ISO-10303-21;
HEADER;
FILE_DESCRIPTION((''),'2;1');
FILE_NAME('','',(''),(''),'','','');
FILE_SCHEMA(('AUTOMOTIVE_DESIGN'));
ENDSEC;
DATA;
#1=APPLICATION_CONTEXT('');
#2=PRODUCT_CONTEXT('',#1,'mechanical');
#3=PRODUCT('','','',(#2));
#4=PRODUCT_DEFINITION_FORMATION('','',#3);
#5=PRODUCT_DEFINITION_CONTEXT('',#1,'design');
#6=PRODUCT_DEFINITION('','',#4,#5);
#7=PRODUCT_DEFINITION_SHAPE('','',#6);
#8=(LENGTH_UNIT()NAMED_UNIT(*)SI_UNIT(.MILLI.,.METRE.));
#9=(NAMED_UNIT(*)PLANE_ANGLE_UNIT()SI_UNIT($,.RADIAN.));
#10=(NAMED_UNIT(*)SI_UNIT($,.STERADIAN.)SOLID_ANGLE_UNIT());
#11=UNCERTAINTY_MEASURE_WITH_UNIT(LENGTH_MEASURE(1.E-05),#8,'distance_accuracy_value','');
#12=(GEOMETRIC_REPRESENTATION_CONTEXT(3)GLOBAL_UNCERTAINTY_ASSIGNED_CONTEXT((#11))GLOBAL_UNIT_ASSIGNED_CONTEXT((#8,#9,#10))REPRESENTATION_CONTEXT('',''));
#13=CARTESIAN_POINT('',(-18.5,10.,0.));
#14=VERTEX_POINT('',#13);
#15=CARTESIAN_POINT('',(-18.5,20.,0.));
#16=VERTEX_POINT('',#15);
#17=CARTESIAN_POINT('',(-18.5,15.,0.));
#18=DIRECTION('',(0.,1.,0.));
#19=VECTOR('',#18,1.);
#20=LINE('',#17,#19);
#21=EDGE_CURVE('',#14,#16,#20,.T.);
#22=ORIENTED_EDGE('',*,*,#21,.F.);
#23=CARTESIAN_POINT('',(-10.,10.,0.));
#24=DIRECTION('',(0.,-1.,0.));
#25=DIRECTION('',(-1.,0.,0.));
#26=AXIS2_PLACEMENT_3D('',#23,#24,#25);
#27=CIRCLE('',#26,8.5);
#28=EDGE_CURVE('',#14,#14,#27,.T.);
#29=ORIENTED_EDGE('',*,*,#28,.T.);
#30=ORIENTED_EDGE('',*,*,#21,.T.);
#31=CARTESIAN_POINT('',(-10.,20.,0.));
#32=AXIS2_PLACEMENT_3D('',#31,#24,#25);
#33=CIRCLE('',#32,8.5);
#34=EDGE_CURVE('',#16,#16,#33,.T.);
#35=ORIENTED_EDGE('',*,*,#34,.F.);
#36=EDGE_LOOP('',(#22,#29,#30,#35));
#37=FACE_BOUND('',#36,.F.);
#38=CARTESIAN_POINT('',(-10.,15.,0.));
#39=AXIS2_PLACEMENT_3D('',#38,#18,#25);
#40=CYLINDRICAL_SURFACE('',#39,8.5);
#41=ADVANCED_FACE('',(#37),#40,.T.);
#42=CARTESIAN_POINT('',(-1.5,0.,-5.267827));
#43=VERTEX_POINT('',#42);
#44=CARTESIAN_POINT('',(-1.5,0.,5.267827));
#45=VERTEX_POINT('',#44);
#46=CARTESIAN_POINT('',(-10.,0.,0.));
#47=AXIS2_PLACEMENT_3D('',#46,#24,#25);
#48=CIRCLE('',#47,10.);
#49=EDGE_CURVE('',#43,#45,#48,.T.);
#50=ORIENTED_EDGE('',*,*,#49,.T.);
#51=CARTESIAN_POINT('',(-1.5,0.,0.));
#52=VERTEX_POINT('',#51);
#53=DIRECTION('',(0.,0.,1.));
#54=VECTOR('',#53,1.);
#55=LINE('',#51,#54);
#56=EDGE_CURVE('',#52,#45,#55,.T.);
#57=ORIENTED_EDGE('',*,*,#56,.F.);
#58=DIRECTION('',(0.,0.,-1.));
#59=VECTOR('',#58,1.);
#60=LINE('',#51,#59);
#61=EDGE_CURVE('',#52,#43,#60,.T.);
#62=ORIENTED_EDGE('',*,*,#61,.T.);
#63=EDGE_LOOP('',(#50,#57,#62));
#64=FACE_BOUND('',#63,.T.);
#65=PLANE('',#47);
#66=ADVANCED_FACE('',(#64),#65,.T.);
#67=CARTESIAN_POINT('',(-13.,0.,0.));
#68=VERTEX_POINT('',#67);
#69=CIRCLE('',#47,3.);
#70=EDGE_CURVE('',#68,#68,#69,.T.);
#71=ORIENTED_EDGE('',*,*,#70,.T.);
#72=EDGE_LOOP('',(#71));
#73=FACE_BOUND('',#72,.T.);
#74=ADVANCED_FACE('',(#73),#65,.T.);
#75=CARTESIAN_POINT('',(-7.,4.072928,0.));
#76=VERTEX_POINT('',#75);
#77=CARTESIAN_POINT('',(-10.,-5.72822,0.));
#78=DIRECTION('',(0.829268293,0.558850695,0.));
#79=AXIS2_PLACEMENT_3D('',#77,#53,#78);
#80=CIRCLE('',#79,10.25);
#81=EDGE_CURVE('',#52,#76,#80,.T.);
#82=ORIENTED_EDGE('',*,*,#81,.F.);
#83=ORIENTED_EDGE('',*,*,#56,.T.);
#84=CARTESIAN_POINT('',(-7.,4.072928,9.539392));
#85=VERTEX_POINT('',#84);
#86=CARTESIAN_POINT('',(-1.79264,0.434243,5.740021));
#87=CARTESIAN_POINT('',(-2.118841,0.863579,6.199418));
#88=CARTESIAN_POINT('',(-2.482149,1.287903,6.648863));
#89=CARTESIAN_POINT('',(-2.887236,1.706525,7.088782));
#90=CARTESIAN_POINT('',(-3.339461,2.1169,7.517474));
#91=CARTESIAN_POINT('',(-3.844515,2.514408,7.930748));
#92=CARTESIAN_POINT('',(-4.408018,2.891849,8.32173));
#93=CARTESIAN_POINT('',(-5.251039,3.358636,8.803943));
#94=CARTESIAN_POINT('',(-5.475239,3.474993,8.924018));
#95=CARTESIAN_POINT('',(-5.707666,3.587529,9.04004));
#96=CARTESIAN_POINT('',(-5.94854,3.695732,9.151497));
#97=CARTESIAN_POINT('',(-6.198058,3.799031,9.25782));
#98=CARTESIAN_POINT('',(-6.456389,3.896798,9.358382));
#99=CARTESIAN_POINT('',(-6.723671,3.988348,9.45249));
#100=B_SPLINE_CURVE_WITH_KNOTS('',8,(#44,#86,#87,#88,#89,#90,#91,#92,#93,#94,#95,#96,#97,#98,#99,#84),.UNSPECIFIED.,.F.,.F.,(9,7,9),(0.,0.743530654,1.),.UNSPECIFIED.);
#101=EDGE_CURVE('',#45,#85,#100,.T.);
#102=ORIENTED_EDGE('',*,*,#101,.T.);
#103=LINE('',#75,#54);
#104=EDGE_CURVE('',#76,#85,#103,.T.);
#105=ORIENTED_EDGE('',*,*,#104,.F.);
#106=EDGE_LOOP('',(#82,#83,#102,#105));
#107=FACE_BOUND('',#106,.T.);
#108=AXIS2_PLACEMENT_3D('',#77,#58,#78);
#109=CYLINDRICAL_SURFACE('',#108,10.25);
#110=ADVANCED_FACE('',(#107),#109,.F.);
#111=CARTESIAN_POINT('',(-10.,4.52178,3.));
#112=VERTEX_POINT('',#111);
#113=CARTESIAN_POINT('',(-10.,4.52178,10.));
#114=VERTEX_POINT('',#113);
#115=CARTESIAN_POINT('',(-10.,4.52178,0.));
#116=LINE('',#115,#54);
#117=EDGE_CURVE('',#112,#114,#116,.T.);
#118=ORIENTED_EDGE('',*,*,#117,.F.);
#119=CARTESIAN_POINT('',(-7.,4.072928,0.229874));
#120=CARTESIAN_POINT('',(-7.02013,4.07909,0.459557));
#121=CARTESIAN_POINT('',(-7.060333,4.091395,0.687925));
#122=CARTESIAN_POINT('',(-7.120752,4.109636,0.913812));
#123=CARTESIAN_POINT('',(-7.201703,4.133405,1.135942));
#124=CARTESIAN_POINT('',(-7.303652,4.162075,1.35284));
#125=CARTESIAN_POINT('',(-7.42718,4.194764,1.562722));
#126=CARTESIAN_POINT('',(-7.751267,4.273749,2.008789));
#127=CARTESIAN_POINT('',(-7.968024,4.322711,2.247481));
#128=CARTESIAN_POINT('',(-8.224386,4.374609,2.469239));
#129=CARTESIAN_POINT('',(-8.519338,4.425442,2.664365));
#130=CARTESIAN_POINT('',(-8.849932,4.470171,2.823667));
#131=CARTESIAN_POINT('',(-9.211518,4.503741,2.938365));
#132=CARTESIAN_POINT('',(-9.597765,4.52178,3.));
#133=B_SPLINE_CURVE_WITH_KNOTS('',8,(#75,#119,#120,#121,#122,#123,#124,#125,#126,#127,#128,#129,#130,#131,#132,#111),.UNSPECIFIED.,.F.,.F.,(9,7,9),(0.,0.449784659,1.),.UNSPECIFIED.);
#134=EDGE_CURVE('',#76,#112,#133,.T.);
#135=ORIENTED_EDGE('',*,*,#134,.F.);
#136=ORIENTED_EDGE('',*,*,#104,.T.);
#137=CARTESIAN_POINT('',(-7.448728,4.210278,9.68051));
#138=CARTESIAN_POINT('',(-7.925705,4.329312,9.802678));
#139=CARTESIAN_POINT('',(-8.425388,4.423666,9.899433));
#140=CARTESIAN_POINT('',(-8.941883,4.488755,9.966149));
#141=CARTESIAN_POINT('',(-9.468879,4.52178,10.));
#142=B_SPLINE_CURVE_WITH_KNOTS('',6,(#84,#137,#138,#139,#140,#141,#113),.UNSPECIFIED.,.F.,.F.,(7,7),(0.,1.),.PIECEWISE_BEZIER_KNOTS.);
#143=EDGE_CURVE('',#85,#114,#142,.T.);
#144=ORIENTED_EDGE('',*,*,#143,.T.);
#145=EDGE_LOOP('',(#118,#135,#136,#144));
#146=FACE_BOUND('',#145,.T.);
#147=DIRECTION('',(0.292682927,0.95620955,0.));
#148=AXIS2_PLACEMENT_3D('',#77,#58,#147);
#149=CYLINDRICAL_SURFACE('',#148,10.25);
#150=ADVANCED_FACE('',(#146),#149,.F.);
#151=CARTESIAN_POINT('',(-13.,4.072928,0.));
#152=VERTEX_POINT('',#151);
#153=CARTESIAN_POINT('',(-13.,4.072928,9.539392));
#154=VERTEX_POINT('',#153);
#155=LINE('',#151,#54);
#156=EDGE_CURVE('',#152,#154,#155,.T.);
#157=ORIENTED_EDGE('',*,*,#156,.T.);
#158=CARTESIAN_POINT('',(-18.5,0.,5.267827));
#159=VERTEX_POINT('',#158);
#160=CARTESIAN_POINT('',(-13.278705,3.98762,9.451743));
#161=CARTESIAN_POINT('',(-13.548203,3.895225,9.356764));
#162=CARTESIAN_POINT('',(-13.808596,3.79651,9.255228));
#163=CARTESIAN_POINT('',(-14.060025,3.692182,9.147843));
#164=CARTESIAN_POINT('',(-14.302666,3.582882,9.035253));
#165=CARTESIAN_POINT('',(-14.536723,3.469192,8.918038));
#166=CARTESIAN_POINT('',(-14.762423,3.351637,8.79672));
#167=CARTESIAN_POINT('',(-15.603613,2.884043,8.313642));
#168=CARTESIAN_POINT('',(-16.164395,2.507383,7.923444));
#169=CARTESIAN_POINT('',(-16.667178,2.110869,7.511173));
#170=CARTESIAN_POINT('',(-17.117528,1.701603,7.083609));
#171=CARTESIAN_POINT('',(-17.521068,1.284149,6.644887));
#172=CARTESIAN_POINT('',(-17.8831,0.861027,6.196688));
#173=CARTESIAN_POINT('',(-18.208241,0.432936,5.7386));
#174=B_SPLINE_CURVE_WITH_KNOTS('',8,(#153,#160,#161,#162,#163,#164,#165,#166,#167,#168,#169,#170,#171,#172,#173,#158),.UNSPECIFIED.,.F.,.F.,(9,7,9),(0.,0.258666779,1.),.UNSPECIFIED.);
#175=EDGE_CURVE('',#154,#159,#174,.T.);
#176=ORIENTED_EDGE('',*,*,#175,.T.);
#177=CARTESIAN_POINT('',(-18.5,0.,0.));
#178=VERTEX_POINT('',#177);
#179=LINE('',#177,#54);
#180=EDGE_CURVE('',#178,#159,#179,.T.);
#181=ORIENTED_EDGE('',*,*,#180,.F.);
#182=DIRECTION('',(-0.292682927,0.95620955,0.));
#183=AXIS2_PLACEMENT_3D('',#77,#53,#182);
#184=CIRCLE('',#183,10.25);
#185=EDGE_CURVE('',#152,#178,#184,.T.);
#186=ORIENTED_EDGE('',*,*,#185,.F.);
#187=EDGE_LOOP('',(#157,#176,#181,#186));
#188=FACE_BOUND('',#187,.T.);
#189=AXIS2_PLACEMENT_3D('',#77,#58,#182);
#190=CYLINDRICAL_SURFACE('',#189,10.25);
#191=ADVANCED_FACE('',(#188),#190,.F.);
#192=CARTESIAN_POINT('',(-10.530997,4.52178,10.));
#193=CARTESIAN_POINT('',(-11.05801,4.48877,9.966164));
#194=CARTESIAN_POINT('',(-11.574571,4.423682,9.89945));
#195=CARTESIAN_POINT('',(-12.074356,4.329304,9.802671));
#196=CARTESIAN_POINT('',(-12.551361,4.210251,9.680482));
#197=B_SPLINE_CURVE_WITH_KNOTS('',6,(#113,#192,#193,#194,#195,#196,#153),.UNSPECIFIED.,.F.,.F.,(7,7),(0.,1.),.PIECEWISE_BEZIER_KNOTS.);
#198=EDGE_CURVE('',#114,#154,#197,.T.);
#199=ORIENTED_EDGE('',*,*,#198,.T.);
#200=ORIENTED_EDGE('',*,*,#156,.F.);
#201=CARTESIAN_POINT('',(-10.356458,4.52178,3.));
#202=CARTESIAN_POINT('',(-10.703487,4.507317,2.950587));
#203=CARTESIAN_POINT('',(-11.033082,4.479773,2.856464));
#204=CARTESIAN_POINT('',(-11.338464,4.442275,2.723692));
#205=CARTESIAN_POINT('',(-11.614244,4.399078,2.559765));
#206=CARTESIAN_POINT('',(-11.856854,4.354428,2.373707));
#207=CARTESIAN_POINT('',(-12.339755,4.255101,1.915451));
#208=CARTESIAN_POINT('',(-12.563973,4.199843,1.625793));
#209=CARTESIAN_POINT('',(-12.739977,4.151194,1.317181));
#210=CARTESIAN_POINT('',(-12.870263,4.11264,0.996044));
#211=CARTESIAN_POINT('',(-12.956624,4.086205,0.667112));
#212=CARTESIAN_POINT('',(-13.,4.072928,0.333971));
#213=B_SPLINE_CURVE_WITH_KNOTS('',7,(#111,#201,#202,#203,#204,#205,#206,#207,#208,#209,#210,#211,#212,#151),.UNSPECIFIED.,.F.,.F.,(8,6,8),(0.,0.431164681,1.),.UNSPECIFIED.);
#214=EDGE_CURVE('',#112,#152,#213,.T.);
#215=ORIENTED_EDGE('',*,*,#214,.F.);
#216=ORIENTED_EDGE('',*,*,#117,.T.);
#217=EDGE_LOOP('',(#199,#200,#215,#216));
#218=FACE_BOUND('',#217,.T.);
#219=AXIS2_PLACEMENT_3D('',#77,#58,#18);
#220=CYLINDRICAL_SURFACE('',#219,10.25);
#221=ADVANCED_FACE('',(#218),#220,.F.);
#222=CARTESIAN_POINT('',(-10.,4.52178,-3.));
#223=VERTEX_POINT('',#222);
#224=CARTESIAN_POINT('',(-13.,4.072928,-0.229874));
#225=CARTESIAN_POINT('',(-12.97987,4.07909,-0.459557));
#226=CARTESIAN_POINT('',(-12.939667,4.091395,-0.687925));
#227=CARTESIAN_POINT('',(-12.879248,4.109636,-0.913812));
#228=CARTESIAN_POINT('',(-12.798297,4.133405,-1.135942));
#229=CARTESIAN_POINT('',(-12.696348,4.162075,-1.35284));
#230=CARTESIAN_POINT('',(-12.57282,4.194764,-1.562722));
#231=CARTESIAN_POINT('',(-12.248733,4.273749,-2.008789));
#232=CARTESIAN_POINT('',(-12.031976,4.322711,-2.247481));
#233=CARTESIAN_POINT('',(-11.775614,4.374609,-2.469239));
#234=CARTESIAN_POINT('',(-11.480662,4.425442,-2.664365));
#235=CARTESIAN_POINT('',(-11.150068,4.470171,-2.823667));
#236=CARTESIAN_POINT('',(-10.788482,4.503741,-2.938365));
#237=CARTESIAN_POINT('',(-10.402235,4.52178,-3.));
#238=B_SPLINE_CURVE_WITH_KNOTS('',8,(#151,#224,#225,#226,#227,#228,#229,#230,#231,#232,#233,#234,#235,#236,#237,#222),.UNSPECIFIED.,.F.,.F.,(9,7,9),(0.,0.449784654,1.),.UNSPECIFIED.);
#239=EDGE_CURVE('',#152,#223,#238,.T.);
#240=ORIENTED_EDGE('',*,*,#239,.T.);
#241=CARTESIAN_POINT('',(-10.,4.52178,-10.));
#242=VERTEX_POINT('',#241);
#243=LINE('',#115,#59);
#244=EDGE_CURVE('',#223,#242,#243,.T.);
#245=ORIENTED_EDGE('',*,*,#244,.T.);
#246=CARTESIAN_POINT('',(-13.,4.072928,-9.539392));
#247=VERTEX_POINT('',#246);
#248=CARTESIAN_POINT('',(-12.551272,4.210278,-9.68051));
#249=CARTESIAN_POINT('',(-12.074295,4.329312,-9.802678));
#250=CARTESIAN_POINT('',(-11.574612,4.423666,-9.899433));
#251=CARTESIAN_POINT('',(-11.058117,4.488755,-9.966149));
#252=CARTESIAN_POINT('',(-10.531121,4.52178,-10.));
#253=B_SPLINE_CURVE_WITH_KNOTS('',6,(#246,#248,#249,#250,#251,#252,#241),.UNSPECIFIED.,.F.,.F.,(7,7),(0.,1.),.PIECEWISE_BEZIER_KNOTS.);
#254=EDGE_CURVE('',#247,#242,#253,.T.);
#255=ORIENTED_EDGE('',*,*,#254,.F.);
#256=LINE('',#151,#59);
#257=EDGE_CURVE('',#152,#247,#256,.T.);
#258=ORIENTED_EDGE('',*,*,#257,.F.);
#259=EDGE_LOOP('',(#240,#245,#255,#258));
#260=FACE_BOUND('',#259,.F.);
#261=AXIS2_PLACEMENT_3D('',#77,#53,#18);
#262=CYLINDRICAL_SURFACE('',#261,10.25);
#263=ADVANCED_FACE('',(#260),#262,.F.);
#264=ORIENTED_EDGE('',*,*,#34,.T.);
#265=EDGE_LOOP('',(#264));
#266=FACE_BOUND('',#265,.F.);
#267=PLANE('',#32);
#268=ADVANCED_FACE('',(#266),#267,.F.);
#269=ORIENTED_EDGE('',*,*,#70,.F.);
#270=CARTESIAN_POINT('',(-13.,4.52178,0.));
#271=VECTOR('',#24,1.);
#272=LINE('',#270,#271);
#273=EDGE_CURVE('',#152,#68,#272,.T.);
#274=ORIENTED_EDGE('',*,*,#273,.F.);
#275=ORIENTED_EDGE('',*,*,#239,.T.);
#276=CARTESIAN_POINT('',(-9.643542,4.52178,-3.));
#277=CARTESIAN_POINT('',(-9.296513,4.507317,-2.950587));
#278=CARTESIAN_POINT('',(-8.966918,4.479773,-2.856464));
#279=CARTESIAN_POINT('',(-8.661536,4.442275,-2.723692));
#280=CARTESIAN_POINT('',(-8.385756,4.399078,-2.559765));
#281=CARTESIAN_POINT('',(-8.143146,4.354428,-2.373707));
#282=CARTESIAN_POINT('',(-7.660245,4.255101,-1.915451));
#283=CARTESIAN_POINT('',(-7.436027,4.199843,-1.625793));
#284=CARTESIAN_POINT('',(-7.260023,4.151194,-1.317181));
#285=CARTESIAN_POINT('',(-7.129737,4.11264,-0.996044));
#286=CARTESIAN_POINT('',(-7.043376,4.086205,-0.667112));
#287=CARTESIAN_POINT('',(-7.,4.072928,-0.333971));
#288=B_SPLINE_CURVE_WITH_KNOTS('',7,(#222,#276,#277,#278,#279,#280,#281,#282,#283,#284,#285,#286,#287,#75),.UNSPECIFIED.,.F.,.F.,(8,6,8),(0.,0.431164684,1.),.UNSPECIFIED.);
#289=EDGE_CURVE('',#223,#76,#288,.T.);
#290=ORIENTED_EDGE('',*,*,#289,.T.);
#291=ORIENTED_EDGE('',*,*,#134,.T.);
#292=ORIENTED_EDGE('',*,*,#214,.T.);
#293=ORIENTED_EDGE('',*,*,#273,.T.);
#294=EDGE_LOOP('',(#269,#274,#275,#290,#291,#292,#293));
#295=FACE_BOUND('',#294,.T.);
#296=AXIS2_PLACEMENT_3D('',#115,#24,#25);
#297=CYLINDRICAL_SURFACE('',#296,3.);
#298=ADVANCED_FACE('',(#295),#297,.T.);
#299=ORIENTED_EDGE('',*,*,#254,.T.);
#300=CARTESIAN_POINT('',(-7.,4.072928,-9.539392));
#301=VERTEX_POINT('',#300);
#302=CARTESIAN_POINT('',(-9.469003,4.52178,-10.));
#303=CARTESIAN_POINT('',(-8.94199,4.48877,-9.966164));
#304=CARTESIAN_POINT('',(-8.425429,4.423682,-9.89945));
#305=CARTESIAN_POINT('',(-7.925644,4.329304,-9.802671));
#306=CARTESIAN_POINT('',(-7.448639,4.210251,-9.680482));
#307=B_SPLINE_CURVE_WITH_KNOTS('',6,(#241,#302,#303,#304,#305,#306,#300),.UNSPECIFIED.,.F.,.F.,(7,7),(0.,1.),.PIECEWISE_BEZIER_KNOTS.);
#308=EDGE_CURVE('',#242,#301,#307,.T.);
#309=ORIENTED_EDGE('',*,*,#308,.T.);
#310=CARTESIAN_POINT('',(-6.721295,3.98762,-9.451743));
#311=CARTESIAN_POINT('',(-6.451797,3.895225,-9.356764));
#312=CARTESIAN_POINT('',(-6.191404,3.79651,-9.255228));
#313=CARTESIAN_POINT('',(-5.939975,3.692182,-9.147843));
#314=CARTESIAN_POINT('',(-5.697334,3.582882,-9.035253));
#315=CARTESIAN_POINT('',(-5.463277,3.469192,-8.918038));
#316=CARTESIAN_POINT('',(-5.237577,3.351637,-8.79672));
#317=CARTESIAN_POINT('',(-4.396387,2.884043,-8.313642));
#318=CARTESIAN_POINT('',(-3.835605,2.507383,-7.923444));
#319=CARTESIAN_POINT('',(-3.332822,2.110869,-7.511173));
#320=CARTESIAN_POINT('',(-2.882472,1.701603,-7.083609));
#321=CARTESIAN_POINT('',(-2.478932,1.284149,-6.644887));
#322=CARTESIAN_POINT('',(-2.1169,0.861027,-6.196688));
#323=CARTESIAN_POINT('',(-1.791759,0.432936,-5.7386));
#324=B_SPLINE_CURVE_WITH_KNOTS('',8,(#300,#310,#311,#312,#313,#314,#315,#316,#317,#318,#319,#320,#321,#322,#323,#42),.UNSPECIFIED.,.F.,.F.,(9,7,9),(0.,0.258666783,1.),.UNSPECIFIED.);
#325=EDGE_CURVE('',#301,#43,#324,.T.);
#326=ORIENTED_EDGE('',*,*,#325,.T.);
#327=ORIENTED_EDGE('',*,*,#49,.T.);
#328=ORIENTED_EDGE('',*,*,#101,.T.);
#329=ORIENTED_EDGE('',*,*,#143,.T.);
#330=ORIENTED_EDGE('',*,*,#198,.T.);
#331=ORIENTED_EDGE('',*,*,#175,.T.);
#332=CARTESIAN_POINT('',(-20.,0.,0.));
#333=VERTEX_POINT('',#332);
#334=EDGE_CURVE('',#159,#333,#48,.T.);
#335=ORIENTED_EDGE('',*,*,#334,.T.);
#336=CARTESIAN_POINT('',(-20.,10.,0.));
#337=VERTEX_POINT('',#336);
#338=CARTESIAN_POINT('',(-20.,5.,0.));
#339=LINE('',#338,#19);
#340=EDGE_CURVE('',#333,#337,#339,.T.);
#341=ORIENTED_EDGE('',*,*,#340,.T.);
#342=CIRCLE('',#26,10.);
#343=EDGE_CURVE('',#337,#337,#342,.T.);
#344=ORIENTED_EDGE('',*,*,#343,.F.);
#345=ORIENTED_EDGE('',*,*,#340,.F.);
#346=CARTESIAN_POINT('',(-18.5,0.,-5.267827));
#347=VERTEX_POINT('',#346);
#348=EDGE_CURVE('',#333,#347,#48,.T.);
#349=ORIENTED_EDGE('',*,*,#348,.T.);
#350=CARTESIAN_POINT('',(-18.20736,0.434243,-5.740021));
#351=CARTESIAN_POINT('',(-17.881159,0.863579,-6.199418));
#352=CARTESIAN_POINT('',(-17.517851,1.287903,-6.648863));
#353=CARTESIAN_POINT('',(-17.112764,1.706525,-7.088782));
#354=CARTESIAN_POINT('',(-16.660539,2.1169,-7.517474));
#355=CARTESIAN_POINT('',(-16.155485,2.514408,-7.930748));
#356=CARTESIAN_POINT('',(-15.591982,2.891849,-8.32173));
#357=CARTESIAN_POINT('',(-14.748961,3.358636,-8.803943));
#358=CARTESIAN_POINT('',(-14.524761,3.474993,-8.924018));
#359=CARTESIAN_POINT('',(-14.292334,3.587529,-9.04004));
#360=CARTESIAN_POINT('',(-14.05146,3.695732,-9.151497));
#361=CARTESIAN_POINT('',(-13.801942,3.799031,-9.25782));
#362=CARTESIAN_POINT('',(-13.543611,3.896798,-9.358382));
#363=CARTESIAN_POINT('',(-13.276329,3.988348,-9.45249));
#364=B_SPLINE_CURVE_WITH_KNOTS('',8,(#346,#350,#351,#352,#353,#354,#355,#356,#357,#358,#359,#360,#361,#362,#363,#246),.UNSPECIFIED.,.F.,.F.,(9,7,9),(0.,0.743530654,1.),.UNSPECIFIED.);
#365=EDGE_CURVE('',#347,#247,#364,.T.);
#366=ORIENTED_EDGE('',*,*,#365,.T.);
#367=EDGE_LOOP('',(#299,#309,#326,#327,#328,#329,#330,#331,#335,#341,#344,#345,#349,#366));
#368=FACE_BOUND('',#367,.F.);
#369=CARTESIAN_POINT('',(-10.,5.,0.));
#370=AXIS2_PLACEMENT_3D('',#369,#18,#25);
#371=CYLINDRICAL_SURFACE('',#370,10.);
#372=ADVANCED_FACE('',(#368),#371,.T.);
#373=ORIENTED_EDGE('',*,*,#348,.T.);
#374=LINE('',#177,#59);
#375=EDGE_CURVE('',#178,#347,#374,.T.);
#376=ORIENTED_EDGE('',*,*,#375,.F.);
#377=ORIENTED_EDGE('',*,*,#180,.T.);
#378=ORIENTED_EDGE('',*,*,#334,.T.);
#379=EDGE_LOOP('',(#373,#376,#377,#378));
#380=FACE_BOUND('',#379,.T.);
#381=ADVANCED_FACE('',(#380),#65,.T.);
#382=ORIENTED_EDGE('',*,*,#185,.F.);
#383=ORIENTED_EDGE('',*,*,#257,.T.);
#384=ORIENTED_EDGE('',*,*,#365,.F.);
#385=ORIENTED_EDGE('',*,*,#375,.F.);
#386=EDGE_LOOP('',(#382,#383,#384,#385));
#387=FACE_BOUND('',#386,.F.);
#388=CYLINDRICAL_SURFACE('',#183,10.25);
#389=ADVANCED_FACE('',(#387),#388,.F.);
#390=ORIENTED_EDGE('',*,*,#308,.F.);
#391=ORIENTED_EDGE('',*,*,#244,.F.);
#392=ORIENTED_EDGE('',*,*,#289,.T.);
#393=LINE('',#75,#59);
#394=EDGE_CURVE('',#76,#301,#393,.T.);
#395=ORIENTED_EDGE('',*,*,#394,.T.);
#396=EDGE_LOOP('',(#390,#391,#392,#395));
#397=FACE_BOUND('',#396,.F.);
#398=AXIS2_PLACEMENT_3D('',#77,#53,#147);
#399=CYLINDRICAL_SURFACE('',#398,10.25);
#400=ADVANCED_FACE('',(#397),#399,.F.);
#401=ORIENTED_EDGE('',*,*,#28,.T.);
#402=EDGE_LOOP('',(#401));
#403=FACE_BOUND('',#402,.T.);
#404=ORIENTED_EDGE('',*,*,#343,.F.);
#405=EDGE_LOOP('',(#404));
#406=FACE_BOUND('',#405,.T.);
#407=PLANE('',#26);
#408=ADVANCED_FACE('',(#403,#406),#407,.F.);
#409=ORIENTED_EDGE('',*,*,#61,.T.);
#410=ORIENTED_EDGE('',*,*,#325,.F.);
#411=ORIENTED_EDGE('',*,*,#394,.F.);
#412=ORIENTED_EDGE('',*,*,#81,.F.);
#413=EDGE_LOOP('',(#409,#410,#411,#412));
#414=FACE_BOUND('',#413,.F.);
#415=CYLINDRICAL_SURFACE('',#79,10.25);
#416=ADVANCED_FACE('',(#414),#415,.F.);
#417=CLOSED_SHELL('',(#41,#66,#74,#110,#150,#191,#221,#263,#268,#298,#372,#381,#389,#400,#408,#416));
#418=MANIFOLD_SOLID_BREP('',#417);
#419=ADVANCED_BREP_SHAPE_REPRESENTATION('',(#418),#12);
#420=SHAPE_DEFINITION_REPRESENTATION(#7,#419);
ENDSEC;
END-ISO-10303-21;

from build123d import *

# Parameters (mm, degrees)
F0_W          = 1.5
F0_H          = 10
F0_W_2        = 8.5
F2_DEPTH      = 25
F2_DEPTH_BACK = 25


with BuildPart() as f1:
    # F0 (on Top) → F1 (revolve)
    with BuildSketch(Plane.XY):
        with BuildLine():
            Line((-10, 10), (-18.5, 10))
            Line((-18.5, 10), (-18.5, 0))
            ThreePointArc((-18.5, 0), (-16.099974277, 2.509062325), (-13, 4.0729282733))
            Line((-13, 4.0729282733), (-13, 4.5217803813))
            Line((-13, 4.5217803813), (-10, 4.5217803813))
            Line((-10, 4.5217803813), (-10, 10))
        make_face()
        with Locations((-19.25, 5)):
            Rectangle(F0_W, F0_H)
        with Locations((-14.25, 15)):
            Rectangle(F0_W_2, F0_H)
        with BuildLine():
            ThreePointArc((-13, 4.0729282733), (-11.516696098, 4.4089463041), (-10, 4.5217803813))
            Line((-10, 4.5217803813), (-13, 4.5217803813))
            Line((-13, 4.5217803813), (-13, 4.0729282733))
        make_face()
        with BuildLine():
            Line((-10, 0), (-10, 4.5217803813))
            ThreePointArc((-10, 4.5217803813), (-11.516696098, 4.4089463041), (-13, 4.0729282733))
            Line((-13, 4.0729282733), (-13, 0))
            Line((-13, 0), (-10, 0))
        make_face()
        with BuildLine():
            ThreePointArc((-13, 4.0729282733), (-16.099974277, 2.509062325), (-18.5, 0))
            Line((-18.5, 0), (-13, 0))
            Line((-13, 0), (-13, 4.0729282733))
        make_face()
    revolve(axis=Axis((-10, 10, 0), (0, -1, 0)))

    # F0 (on Top) → F2 (cut, two sides)
    with BuildSketch(Plane.XY) as f2_sk:
        with BuildLine():
            ThreePointArc((-13, 4.0729282733), (-16.099974277, 2.509062325), (-18.5, 0))
            Line((-18.5, 0), (-13, 0))
            Line((-13, 0), (-13, 4.0729282733))
        make_face()
        with BuildLine():
            Line((-7, 0), (-1.5, 0))
            ThreePointArc((-1.5, 0), (-3.900025723, 2.509062325), (-7, 4.0729282733))
            Line((-7, 4.0729282733), (-7, 0))
        make_face()
        with BuildLine():
            Line((-10, 0), (-10, 4.5217803813))
            ThreePointArc((-10, 4.5217803813), (-11.516696098, 4.4089463041), (-13, 4.0729282733))
            Line((-13, 4.0729282733), (-13, 0))
            Line((-13, 0), (-10, 0))
        make_face()
        with BuildLine():
            ThreePointArc((-7, 4.0729282733), (-8.483303902, 4.4089463041), (-10, 4.5217803813))
            Line((-10, 4.5217803813), (-10, 0))
            Line((-10, 0), (-7, 0))
            Line((-7, 0), (-7, 4.0729282733))
        make_face()
    extrude(amount=F2_DEPTH, mode=Mode.SUBTRACT)
    extrude(f2_sk.sketch, amount=-F2_DEPTH_BACK, mode=Mode.SUBTRACT)

    # F0 (on Top) → F3 (revolve)
    with BuildSketch(Plane.XY):
        with BuildLine():
            Line((-10, 0), (-10, 4.5217803813))
            ThreePointArc((-10, 4.5217803813), (-11.516696098, 4.4089463041), (-13, 4.0729282733))
            Line((-13, 4.0729282733), (-13, 0))
            Line((-13, 0), (-10, 0))
        make_face()
        with BuildLine():
            ThreePointArc((-13, 4.0729282733), (-11.516696098, 4.4089463041), (-10, 4.5217803813))
            Line((-10, 4.5217803813), (-13, 4.5217803813))
            Line((-13, 4.5217803813), (-13, 4.0729282733))
        make_face()
    revolve(axis=Axis((-10, 10, 0), (0, -1, 0)))


solid = f1.part
